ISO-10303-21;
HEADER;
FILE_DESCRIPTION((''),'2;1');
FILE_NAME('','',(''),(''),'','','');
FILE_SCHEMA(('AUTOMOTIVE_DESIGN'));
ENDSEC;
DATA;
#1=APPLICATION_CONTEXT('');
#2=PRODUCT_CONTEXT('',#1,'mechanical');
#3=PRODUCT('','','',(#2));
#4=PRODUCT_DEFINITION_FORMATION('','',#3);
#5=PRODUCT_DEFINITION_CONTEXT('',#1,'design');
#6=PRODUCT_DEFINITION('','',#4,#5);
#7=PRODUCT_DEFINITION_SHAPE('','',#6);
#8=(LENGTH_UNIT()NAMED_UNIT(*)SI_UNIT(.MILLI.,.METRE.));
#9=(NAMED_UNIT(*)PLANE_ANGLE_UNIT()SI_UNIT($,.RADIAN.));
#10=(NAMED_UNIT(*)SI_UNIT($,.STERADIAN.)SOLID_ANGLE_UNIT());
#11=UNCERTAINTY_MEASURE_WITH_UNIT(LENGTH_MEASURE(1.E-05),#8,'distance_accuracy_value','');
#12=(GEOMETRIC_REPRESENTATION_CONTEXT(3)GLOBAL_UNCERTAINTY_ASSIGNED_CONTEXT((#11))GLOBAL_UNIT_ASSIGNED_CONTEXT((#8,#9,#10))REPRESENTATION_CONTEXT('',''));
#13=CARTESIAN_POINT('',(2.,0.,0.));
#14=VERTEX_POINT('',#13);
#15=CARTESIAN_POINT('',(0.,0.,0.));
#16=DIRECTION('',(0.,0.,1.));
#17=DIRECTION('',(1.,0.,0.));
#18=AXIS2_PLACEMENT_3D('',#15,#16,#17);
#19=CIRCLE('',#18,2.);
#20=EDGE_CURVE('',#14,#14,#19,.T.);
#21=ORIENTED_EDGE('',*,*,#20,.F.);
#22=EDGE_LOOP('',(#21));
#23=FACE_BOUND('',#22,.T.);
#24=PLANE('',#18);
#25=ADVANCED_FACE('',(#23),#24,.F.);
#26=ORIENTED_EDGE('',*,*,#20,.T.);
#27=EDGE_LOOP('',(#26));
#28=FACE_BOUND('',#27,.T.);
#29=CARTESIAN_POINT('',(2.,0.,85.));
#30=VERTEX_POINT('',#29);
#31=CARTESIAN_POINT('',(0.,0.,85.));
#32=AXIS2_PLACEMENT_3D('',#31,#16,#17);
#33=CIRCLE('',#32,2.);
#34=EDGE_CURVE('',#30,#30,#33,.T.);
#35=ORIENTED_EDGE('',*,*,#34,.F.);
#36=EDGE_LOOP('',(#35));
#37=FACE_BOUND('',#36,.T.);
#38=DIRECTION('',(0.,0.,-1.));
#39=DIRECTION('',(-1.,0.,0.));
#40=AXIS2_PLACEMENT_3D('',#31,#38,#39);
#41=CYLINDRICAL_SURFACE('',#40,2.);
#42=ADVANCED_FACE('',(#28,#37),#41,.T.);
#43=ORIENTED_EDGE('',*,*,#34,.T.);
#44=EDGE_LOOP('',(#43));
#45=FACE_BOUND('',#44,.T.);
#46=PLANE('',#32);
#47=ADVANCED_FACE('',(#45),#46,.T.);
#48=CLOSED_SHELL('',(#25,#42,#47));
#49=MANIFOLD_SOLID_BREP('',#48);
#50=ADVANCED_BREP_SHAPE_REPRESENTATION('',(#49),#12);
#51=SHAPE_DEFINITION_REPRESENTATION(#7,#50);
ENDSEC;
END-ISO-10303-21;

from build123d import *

# Parameters (mm, degrees)
SKETCH1_R  = 2
MAIN_DEPTH = 85


with BuildPart() as part:
    # Sketch1 → Main (new body)
    with BuildSketch(Plane.XY):
        Circle(SKETCH1_R)
    extrude(amount=MAIN_DEPTH)


solid = part.part
